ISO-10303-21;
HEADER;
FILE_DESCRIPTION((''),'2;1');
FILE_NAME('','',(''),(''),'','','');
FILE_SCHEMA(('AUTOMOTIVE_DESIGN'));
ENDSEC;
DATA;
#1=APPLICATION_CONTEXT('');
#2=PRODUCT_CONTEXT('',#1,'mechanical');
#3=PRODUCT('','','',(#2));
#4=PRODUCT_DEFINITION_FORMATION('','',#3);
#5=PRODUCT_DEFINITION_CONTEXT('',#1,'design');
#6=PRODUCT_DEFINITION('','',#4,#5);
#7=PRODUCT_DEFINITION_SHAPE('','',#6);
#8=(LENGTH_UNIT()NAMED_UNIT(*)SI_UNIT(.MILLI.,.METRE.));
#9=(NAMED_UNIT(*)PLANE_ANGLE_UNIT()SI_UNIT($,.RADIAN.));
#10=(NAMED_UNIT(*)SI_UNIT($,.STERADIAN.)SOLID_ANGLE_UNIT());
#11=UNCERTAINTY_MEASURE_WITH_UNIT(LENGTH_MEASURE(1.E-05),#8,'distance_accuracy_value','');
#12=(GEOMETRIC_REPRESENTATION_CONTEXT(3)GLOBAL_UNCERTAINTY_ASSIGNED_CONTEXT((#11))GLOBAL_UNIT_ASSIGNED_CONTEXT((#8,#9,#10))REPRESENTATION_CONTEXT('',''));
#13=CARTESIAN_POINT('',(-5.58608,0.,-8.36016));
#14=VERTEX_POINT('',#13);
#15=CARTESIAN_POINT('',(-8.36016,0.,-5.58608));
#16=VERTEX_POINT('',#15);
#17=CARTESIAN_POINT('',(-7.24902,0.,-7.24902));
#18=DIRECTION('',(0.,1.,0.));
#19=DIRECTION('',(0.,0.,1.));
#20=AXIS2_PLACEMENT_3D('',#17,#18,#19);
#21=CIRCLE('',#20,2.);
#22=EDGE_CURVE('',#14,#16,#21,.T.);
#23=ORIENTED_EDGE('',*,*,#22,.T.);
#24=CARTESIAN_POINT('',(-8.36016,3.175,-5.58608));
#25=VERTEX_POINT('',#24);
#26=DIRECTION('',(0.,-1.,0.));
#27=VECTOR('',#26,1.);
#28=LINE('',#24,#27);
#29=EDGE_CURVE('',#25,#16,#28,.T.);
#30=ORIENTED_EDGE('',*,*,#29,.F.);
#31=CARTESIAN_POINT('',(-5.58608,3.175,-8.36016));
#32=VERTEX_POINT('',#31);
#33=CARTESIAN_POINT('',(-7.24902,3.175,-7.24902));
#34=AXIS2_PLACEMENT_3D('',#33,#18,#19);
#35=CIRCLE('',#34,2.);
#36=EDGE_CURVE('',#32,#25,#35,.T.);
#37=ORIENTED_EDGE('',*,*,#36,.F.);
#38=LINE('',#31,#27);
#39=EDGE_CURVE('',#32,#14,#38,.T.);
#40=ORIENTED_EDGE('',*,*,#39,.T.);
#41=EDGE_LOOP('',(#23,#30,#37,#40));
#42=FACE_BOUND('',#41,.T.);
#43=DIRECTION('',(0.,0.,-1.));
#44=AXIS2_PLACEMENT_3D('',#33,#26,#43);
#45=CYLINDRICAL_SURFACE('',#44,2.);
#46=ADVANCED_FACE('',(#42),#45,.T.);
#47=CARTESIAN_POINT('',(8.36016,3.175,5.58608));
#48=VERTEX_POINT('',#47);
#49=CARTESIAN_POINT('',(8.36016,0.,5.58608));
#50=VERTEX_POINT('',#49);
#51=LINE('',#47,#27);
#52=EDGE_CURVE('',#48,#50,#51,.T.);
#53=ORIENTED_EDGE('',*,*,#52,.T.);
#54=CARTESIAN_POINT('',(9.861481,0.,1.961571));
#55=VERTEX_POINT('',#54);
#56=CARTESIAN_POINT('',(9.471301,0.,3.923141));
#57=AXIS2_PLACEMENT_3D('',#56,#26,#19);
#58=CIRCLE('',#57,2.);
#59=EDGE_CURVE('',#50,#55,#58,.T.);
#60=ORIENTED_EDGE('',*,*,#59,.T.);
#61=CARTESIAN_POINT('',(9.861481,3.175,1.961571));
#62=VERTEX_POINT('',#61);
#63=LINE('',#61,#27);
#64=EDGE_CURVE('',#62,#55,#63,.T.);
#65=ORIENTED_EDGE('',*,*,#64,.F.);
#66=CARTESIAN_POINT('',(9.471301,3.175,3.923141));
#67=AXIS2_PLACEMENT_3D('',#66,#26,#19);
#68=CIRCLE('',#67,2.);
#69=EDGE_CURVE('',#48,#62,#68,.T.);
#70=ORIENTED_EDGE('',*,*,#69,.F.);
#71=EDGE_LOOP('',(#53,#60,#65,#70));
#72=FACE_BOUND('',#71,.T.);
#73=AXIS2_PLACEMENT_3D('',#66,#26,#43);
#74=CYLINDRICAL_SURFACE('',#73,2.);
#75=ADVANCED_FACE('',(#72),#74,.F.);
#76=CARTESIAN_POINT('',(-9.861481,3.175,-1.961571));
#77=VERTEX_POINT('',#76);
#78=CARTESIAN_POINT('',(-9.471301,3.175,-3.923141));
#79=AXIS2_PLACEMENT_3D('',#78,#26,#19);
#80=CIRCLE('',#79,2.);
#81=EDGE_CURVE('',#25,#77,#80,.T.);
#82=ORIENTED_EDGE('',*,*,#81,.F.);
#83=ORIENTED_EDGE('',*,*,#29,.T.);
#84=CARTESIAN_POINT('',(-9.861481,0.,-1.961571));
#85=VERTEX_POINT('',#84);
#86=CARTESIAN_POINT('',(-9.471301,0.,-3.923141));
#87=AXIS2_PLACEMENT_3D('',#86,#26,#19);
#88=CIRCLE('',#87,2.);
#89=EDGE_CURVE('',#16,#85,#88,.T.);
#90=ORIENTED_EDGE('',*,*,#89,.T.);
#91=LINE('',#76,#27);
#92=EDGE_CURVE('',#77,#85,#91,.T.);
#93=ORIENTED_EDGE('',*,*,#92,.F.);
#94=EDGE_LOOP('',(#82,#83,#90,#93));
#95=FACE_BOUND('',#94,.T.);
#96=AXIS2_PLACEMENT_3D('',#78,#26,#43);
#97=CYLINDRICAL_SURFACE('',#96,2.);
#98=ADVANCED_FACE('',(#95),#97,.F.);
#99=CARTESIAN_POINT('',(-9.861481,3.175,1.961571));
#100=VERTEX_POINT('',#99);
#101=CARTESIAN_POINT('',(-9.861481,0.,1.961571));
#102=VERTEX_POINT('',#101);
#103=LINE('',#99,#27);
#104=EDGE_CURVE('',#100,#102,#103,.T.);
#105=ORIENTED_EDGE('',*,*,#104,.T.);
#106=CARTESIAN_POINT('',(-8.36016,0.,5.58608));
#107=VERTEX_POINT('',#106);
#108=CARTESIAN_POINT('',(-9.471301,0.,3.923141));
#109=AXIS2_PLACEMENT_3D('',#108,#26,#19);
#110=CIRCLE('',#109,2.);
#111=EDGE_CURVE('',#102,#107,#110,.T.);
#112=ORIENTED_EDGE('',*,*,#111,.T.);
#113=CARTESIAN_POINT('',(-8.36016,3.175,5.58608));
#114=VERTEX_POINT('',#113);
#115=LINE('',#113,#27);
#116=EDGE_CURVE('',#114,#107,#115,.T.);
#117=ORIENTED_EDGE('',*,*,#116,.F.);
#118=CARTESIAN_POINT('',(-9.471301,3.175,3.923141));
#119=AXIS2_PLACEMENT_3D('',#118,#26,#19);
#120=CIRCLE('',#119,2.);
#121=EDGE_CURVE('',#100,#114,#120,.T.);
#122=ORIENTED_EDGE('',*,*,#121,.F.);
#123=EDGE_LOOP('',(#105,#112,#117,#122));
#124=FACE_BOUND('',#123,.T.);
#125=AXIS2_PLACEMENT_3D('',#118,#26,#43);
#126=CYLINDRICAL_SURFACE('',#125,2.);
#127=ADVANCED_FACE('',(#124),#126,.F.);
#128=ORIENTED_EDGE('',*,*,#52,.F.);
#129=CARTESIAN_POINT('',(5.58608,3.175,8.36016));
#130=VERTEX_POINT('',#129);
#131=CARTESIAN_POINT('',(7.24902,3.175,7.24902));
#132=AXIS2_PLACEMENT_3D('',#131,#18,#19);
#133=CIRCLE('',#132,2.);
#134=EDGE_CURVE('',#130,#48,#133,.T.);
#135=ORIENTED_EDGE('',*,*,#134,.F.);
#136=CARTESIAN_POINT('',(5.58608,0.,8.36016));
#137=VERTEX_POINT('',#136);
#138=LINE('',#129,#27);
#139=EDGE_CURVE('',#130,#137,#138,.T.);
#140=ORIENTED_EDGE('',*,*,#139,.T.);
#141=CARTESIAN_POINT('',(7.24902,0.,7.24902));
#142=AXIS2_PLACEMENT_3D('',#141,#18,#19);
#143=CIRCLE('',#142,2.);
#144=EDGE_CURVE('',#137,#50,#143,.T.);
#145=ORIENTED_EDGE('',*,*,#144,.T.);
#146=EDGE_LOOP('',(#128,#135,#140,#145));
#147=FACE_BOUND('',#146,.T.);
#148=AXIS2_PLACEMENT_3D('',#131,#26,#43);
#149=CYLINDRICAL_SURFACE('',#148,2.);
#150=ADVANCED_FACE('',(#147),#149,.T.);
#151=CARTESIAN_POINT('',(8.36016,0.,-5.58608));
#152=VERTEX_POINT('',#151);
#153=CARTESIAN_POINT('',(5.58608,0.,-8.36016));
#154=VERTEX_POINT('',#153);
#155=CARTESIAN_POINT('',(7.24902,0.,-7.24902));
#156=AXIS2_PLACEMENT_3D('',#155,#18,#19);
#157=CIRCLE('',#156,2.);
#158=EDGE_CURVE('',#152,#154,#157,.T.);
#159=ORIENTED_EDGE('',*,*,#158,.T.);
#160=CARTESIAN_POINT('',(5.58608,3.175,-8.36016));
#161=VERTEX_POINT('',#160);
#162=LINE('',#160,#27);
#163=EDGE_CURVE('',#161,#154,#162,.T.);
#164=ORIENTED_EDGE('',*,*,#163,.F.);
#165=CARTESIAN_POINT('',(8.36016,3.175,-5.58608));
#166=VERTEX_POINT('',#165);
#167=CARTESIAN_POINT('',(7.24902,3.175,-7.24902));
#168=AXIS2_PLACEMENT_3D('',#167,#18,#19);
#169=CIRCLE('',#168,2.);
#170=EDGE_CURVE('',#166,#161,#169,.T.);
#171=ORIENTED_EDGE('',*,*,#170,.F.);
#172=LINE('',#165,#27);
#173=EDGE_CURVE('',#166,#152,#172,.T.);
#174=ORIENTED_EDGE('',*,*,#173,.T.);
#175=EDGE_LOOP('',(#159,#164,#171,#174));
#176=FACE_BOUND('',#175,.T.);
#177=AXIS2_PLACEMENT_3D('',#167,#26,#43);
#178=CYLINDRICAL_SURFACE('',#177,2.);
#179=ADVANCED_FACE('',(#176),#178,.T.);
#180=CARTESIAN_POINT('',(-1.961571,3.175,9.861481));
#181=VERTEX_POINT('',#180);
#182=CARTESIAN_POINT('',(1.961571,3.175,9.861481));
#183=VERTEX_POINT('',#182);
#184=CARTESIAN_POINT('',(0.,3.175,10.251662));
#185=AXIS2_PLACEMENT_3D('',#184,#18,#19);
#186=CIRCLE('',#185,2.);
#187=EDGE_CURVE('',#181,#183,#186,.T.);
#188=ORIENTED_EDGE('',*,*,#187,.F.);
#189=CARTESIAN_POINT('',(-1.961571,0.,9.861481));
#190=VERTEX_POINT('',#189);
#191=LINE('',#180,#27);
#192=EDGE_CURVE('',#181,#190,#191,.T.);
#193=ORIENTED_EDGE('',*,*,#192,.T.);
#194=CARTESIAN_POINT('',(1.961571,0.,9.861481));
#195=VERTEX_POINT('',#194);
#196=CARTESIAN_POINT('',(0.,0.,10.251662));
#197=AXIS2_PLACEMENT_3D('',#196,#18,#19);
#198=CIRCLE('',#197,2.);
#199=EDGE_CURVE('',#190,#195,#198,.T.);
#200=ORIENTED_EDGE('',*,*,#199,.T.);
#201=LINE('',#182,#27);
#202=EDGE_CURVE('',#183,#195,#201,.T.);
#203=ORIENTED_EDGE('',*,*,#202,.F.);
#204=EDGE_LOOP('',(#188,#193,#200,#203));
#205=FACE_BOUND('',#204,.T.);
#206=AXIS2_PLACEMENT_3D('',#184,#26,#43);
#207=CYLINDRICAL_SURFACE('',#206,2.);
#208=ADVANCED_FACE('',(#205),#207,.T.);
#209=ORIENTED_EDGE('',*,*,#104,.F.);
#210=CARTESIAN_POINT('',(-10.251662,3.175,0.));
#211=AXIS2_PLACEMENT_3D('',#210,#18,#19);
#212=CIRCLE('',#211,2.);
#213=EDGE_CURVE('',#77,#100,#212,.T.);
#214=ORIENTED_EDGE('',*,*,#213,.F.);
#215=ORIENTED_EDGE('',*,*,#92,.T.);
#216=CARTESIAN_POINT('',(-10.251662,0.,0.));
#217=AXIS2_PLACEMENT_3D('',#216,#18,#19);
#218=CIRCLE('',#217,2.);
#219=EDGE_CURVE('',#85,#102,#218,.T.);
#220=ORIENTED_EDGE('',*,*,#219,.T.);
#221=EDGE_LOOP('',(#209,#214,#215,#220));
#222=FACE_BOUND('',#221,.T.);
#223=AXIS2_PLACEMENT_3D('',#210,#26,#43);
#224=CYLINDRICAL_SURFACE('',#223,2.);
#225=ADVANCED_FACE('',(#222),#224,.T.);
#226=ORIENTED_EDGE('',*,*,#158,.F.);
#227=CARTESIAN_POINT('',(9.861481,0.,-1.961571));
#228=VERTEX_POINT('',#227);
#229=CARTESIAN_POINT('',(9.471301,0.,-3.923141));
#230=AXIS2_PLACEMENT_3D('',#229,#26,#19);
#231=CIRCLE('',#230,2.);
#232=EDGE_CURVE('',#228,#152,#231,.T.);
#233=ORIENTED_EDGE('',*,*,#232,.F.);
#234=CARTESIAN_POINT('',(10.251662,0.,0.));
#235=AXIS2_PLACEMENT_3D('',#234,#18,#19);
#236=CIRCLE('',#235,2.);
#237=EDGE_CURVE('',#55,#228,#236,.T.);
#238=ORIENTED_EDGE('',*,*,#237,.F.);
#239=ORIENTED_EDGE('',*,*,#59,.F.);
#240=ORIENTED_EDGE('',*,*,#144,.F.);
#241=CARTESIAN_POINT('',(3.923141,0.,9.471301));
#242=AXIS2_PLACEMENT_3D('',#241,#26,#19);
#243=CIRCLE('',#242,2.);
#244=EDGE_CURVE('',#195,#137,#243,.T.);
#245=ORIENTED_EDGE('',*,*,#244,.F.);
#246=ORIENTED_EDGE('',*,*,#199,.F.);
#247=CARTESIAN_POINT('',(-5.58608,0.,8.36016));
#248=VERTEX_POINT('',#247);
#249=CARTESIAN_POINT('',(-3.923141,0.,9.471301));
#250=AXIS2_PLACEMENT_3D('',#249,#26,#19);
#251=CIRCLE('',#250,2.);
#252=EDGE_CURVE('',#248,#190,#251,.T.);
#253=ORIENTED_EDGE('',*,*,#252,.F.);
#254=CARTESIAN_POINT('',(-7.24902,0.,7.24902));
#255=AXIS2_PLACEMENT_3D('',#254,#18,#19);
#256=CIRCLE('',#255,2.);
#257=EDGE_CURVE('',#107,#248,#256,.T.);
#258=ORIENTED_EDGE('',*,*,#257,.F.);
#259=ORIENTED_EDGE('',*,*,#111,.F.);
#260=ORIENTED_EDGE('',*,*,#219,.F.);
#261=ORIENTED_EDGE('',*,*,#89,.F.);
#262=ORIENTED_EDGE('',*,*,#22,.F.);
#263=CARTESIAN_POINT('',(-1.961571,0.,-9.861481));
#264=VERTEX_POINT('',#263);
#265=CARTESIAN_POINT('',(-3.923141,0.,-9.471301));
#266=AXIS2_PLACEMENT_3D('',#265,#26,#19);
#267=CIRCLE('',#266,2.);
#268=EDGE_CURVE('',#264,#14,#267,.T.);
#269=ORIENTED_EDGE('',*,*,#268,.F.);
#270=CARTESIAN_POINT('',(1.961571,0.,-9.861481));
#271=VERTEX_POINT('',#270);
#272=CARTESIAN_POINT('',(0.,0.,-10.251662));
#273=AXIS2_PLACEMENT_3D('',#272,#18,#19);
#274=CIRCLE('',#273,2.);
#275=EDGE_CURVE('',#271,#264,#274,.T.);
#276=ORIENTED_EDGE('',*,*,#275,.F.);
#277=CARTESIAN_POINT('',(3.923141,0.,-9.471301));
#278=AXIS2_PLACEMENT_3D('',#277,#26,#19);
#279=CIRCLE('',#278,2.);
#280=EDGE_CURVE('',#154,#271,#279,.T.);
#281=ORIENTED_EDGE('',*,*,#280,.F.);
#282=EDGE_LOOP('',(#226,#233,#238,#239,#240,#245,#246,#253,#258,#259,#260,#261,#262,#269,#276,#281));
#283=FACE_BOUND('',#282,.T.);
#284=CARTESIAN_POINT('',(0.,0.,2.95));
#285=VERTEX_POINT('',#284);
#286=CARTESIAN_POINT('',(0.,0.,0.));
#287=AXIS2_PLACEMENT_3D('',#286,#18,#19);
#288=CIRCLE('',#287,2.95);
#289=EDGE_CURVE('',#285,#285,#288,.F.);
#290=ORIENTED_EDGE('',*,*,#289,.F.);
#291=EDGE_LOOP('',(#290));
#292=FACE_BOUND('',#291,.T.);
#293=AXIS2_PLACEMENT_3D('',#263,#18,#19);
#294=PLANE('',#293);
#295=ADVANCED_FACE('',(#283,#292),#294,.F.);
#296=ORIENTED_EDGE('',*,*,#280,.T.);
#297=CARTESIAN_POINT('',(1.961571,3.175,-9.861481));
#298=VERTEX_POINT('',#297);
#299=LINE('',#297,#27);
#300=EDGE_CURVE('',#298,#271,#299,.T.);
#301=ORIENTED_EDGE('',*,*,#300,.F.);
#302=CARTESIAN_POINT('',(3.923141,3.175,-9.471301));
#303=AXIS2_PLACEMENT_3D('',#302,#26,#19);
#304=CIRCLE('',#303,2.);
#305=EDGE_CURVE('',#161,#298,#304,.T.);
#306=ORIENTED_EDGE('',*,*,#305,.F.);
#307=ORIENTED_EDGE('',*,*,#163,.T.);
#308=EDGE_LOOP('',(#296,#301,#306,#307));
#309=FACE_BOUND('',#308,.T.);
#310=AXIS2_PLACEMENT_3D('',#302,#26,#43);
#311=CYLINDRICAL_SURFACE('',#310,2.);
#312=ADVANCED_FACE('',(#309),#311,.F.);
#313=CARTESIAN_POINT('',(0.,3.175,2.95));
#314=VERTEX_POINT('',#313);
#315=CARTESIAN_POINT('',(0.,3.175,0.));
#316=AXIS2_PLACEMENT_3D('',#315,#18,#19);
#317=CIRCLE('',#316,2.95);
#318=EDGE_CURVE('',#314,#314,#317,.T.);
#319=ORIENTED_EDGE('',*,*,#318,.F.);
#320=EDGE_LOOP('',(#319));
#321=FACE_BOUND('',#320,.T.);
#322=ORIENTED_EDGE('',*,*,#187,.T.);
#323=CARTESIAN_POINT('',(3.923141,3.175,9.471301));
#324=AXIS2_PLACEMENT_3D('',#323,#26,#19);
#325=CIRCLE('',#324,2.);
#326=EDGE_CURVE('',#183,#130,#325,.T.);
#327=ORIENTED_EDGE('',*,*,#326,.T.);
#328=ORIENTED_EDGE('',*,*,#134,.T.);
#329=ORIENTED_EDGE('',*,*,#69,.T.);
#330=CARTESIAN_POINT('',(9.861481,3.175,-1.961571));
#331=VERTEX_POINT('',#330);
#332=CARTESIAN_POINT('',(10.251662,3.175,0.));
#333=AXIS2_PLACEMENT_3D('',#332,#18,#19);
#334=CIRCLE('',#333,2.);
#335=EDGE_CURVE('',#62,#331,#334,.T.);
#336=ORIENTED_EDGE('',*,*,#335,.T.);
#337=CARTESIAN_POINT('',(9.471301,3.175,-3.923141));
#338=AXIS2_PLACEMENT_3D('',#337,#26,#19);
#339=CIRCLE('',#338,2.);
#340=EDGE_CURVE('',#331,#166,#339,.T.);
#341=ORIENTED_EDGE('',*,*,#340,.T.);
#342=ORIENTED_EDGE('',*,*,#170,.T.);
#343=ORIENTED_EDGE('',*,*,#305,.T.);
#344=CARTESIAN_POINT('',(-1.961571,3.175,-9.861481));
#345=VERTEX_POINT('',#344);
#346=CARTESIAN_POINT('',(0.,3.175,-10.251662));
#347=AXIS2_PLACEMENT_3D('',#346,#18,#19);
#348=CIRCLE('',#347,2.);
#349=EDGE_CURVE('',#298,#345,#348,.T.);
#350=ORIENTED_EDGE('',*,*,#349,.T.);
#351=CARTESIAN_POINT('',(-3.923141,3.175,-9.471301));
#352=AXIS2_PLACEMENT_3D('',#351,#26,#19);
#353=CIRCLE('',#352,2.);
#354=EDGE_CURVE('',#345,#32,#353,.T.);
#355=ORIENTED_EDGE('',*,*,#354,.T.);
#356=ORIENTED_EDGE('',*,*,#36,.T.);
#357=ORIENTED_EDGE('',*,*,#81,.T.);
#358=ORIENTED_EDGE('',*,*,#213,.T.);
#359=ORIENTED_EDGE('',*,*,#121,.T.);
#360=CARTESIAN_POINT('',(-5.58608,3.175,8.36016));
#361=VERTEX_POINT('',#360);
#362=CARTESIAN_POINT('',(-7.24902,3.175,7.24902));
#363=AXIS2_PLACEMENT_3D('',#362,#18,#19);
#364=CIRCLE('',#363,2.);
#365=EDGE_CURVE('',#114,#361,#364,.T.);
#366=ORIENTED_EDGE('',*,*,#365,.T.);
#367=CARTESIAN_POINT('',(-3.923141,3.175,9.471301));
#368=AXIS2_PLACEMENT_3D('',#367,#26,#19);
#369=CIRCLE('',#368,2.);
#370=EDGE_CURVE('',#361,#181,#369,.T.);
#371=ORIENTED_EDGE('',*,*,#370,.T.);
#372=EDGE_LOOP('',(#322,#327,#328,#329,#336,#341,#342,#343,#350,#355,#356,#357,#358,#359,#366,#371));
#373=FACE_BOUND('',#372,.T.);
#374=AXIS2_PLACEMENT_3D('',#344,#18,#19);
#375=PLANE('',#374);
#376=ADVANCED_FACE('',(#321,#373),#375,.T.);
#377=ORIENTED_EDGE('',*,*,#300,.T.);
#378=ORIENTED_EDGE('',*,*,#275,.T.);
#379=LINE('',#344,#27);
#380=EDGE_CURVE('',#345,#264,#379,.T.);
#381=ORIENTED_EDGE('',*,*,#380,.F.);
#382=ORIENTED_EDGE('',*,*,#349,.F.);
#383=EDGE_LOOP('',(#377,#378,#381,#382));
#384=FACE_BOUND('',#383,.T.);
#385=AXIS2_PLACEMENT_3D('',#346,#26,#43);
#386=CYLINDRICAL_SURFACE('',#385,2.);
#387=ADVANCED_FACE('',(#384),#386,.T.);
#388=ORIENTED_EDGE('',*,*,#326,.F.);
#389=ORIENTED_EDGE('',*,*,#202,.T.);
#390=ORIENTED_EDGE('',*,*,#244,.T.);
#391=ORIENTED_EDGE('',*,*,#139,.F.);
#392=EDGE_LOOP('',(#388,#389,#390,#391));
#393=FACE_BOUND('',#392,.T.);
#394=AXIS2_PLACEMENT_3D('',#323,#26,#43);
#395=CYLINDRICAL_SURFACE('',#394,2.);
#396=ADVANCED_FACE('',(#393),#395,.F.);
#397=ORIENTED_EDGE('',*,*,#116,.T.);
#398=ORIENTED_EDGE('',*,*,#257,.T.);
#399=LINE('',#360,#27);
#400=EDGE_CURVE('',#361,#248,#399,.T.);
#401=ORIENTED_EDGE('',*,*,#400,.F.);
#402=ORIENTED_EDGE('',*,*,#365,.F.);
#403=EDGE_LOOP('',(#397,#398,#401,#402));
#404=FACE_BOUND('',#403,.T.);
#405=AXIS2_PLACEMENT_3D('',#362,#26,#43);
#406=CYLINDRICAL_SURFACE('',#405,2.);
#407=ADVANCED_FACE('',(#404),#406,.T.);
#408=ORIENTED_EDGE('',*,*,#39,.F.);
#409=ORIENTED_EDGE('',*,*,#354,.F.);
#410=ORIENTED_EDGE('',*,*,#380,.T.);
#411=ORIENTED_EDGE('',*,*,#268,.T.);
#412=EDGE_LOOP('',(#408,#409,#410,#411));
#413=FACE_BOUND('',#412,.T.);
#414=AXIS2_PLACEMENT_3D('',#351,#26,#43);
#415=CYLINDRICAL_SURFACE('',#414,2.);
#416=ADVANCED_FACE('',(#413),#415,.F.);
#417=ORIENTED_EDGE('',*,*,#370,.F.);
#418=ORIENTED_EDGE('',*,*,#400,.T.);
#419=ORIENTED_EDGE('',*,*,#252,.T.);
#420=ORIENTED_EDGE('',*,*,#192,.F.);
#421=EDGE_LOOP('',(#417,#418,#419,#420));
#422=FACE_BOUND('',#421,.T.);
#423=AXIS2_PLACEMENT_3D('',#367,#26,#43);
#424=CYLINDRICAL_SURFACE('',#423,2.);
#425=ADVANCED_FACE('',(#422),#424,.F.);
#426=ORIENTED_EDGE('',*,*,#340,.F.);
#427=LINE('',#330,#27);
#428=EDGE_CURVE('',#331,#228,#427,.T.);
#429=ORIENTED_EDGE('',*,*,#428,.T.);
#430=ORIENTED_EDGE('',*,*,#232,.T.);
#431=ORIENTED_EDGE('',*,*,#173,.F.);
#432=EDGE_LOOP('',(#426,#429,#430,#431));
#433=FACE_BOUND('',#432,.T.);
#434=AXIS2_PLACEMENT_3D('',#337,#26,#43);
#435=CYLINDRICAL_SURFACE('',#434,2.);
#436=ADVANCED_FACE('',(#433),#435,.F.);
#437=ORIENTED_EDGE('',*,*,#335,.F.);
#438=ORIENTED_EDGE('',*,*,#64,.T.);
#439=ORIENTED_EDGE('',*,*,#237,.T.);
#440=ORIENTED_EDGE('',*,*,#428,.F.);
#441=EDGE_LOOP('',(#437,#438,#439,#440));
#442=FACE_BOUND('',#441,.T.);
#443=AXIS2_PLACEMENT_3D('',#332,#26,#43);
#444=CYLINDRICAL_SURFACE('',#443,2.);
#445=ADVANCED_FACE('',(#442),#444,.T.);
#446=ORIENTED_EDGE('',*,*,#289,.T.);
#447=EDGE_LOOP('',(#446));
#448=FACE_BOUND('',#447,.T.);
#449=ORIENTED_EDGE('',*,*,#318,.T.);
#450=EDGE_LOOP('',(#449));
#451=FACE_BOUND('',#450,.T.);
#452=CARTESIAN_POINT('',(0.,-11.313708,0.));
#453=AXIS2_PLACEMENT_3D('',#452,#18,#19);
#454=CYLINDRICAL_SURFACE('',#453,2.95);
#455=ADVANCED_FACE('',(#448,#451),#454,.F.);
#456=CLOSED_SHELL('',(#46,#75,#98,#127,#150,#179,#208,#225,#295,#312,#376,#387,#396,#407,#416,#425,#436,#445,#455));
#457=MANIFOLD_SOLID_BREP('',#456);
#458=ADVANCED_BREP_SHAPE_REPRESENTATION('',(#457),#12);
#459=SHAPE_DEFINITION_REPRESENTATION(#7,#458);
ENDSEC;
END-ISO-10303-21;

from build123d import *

# Parameters (mm, degrees)
SKETCH1_R           = 4
BOSS_EXTRUDE1_DEPTH = 3.175
SKETCH2_R           = 4
SKETCH2_R_2         = 2.95
BOSS_EXTRUDE2_DEPTH = 3.175


with BuildPart() as part:
    # Sketch1 → Boss-Extrude1 (new body)
    with BuildSketch(Plane(origin=(0, 0, 0), x_dir=(1, 0, 0), z_dir=(0, 1, 0))):
        with BuildLine():
            ThreePointArc((1.961570561, 9.861481147), (0, 12.251661791), (-1.961570561, 9.861481147))
            ThreePointArc((-1.961570561, 9.861481147), (-3.157774257, 7.623541438), (-5.586080346, 8.360160037))
            ThreePointArc((-5.586080346, 8.360160037), (-8.663233133, 8.663233133), (-8.360160037, 5.586080346))
            ThreePointArc((-8.360160037, 5.586080346), (-7.623541438, 3.157774257), (-9.861481147, 1.961570561))
            ThreePointArc((-9.861481147, 1.961570561), (-12.251661791, 0), (-9.861481147, -1.961570561))
            ThreePointArc((-9.861481147, -1.961570561), (-7.623541438, -3.157774257), (-8.360160037, -5.586080346))
            ThreePointArc((-8.360160037, -5.586080346), (-8.663233133, -8.663233133), (-5.586080346, -8.360160037))
            ThreePointArc((-5.586080346, -8.360160037), (-3.157774257, -7.623541438), (-1.961570561, -9.861481147))
            ThreePointArc((-1.961570561, -9.861481147), (0, -12.251661791), (1.961570561, -9.861481147))
            ThreePointArc((1.961570561, -9.861481147), (3.157774257, -7.623541438), (5.586080346, -8.360160037))
            ThreePointArc((5.586080346, -8.360160037), (8.663233133, -8.663233133), (8.360160037, -5.586080346))
            ThreePointArc((8.360160037, -5.586080346), (7.623541438, -3.157774257), (9.861481147, -1.961570561))
            ThreePointArc((9.861481147, -1.961570561), (12.251661791, 0), (9.861481147, 1.961570561))
            ThreePointArc((9.861481147, 1.961570561), (7.623541438, 3.157774257), (8.360160037, 5.586080346))
            ThreePointArc((8.360160037, 5.586080346), (8.663233133, 8.663233133), (5.586080346, 8.360160037))
            ThreePointArc((5.586080346, 8.360160037), (3.157774257, 7.623541438), (1.961570561, 9.861481147))
        make_face()
        Circle(SKETCH1_R, mode=Mode.SUBTRACT)
    extrude(amount=BOSS_EXTRUDE1_DEPTH)

    # Sketch2 → Boss-Extrude2 (add)
    with BuildSketch(Plane(origin=(0, 3.175, 0), x_dir=(1, 0, 0), z_dir=(0, 1, 0))):
        Circle(SKETCH2_R)
        Circle(SKETCH2_R_2, mode=Mode.SUBTRACT)
    extrude(amount=-BOSS_EXTRUDE2_DEPTH)


solid = part.part
